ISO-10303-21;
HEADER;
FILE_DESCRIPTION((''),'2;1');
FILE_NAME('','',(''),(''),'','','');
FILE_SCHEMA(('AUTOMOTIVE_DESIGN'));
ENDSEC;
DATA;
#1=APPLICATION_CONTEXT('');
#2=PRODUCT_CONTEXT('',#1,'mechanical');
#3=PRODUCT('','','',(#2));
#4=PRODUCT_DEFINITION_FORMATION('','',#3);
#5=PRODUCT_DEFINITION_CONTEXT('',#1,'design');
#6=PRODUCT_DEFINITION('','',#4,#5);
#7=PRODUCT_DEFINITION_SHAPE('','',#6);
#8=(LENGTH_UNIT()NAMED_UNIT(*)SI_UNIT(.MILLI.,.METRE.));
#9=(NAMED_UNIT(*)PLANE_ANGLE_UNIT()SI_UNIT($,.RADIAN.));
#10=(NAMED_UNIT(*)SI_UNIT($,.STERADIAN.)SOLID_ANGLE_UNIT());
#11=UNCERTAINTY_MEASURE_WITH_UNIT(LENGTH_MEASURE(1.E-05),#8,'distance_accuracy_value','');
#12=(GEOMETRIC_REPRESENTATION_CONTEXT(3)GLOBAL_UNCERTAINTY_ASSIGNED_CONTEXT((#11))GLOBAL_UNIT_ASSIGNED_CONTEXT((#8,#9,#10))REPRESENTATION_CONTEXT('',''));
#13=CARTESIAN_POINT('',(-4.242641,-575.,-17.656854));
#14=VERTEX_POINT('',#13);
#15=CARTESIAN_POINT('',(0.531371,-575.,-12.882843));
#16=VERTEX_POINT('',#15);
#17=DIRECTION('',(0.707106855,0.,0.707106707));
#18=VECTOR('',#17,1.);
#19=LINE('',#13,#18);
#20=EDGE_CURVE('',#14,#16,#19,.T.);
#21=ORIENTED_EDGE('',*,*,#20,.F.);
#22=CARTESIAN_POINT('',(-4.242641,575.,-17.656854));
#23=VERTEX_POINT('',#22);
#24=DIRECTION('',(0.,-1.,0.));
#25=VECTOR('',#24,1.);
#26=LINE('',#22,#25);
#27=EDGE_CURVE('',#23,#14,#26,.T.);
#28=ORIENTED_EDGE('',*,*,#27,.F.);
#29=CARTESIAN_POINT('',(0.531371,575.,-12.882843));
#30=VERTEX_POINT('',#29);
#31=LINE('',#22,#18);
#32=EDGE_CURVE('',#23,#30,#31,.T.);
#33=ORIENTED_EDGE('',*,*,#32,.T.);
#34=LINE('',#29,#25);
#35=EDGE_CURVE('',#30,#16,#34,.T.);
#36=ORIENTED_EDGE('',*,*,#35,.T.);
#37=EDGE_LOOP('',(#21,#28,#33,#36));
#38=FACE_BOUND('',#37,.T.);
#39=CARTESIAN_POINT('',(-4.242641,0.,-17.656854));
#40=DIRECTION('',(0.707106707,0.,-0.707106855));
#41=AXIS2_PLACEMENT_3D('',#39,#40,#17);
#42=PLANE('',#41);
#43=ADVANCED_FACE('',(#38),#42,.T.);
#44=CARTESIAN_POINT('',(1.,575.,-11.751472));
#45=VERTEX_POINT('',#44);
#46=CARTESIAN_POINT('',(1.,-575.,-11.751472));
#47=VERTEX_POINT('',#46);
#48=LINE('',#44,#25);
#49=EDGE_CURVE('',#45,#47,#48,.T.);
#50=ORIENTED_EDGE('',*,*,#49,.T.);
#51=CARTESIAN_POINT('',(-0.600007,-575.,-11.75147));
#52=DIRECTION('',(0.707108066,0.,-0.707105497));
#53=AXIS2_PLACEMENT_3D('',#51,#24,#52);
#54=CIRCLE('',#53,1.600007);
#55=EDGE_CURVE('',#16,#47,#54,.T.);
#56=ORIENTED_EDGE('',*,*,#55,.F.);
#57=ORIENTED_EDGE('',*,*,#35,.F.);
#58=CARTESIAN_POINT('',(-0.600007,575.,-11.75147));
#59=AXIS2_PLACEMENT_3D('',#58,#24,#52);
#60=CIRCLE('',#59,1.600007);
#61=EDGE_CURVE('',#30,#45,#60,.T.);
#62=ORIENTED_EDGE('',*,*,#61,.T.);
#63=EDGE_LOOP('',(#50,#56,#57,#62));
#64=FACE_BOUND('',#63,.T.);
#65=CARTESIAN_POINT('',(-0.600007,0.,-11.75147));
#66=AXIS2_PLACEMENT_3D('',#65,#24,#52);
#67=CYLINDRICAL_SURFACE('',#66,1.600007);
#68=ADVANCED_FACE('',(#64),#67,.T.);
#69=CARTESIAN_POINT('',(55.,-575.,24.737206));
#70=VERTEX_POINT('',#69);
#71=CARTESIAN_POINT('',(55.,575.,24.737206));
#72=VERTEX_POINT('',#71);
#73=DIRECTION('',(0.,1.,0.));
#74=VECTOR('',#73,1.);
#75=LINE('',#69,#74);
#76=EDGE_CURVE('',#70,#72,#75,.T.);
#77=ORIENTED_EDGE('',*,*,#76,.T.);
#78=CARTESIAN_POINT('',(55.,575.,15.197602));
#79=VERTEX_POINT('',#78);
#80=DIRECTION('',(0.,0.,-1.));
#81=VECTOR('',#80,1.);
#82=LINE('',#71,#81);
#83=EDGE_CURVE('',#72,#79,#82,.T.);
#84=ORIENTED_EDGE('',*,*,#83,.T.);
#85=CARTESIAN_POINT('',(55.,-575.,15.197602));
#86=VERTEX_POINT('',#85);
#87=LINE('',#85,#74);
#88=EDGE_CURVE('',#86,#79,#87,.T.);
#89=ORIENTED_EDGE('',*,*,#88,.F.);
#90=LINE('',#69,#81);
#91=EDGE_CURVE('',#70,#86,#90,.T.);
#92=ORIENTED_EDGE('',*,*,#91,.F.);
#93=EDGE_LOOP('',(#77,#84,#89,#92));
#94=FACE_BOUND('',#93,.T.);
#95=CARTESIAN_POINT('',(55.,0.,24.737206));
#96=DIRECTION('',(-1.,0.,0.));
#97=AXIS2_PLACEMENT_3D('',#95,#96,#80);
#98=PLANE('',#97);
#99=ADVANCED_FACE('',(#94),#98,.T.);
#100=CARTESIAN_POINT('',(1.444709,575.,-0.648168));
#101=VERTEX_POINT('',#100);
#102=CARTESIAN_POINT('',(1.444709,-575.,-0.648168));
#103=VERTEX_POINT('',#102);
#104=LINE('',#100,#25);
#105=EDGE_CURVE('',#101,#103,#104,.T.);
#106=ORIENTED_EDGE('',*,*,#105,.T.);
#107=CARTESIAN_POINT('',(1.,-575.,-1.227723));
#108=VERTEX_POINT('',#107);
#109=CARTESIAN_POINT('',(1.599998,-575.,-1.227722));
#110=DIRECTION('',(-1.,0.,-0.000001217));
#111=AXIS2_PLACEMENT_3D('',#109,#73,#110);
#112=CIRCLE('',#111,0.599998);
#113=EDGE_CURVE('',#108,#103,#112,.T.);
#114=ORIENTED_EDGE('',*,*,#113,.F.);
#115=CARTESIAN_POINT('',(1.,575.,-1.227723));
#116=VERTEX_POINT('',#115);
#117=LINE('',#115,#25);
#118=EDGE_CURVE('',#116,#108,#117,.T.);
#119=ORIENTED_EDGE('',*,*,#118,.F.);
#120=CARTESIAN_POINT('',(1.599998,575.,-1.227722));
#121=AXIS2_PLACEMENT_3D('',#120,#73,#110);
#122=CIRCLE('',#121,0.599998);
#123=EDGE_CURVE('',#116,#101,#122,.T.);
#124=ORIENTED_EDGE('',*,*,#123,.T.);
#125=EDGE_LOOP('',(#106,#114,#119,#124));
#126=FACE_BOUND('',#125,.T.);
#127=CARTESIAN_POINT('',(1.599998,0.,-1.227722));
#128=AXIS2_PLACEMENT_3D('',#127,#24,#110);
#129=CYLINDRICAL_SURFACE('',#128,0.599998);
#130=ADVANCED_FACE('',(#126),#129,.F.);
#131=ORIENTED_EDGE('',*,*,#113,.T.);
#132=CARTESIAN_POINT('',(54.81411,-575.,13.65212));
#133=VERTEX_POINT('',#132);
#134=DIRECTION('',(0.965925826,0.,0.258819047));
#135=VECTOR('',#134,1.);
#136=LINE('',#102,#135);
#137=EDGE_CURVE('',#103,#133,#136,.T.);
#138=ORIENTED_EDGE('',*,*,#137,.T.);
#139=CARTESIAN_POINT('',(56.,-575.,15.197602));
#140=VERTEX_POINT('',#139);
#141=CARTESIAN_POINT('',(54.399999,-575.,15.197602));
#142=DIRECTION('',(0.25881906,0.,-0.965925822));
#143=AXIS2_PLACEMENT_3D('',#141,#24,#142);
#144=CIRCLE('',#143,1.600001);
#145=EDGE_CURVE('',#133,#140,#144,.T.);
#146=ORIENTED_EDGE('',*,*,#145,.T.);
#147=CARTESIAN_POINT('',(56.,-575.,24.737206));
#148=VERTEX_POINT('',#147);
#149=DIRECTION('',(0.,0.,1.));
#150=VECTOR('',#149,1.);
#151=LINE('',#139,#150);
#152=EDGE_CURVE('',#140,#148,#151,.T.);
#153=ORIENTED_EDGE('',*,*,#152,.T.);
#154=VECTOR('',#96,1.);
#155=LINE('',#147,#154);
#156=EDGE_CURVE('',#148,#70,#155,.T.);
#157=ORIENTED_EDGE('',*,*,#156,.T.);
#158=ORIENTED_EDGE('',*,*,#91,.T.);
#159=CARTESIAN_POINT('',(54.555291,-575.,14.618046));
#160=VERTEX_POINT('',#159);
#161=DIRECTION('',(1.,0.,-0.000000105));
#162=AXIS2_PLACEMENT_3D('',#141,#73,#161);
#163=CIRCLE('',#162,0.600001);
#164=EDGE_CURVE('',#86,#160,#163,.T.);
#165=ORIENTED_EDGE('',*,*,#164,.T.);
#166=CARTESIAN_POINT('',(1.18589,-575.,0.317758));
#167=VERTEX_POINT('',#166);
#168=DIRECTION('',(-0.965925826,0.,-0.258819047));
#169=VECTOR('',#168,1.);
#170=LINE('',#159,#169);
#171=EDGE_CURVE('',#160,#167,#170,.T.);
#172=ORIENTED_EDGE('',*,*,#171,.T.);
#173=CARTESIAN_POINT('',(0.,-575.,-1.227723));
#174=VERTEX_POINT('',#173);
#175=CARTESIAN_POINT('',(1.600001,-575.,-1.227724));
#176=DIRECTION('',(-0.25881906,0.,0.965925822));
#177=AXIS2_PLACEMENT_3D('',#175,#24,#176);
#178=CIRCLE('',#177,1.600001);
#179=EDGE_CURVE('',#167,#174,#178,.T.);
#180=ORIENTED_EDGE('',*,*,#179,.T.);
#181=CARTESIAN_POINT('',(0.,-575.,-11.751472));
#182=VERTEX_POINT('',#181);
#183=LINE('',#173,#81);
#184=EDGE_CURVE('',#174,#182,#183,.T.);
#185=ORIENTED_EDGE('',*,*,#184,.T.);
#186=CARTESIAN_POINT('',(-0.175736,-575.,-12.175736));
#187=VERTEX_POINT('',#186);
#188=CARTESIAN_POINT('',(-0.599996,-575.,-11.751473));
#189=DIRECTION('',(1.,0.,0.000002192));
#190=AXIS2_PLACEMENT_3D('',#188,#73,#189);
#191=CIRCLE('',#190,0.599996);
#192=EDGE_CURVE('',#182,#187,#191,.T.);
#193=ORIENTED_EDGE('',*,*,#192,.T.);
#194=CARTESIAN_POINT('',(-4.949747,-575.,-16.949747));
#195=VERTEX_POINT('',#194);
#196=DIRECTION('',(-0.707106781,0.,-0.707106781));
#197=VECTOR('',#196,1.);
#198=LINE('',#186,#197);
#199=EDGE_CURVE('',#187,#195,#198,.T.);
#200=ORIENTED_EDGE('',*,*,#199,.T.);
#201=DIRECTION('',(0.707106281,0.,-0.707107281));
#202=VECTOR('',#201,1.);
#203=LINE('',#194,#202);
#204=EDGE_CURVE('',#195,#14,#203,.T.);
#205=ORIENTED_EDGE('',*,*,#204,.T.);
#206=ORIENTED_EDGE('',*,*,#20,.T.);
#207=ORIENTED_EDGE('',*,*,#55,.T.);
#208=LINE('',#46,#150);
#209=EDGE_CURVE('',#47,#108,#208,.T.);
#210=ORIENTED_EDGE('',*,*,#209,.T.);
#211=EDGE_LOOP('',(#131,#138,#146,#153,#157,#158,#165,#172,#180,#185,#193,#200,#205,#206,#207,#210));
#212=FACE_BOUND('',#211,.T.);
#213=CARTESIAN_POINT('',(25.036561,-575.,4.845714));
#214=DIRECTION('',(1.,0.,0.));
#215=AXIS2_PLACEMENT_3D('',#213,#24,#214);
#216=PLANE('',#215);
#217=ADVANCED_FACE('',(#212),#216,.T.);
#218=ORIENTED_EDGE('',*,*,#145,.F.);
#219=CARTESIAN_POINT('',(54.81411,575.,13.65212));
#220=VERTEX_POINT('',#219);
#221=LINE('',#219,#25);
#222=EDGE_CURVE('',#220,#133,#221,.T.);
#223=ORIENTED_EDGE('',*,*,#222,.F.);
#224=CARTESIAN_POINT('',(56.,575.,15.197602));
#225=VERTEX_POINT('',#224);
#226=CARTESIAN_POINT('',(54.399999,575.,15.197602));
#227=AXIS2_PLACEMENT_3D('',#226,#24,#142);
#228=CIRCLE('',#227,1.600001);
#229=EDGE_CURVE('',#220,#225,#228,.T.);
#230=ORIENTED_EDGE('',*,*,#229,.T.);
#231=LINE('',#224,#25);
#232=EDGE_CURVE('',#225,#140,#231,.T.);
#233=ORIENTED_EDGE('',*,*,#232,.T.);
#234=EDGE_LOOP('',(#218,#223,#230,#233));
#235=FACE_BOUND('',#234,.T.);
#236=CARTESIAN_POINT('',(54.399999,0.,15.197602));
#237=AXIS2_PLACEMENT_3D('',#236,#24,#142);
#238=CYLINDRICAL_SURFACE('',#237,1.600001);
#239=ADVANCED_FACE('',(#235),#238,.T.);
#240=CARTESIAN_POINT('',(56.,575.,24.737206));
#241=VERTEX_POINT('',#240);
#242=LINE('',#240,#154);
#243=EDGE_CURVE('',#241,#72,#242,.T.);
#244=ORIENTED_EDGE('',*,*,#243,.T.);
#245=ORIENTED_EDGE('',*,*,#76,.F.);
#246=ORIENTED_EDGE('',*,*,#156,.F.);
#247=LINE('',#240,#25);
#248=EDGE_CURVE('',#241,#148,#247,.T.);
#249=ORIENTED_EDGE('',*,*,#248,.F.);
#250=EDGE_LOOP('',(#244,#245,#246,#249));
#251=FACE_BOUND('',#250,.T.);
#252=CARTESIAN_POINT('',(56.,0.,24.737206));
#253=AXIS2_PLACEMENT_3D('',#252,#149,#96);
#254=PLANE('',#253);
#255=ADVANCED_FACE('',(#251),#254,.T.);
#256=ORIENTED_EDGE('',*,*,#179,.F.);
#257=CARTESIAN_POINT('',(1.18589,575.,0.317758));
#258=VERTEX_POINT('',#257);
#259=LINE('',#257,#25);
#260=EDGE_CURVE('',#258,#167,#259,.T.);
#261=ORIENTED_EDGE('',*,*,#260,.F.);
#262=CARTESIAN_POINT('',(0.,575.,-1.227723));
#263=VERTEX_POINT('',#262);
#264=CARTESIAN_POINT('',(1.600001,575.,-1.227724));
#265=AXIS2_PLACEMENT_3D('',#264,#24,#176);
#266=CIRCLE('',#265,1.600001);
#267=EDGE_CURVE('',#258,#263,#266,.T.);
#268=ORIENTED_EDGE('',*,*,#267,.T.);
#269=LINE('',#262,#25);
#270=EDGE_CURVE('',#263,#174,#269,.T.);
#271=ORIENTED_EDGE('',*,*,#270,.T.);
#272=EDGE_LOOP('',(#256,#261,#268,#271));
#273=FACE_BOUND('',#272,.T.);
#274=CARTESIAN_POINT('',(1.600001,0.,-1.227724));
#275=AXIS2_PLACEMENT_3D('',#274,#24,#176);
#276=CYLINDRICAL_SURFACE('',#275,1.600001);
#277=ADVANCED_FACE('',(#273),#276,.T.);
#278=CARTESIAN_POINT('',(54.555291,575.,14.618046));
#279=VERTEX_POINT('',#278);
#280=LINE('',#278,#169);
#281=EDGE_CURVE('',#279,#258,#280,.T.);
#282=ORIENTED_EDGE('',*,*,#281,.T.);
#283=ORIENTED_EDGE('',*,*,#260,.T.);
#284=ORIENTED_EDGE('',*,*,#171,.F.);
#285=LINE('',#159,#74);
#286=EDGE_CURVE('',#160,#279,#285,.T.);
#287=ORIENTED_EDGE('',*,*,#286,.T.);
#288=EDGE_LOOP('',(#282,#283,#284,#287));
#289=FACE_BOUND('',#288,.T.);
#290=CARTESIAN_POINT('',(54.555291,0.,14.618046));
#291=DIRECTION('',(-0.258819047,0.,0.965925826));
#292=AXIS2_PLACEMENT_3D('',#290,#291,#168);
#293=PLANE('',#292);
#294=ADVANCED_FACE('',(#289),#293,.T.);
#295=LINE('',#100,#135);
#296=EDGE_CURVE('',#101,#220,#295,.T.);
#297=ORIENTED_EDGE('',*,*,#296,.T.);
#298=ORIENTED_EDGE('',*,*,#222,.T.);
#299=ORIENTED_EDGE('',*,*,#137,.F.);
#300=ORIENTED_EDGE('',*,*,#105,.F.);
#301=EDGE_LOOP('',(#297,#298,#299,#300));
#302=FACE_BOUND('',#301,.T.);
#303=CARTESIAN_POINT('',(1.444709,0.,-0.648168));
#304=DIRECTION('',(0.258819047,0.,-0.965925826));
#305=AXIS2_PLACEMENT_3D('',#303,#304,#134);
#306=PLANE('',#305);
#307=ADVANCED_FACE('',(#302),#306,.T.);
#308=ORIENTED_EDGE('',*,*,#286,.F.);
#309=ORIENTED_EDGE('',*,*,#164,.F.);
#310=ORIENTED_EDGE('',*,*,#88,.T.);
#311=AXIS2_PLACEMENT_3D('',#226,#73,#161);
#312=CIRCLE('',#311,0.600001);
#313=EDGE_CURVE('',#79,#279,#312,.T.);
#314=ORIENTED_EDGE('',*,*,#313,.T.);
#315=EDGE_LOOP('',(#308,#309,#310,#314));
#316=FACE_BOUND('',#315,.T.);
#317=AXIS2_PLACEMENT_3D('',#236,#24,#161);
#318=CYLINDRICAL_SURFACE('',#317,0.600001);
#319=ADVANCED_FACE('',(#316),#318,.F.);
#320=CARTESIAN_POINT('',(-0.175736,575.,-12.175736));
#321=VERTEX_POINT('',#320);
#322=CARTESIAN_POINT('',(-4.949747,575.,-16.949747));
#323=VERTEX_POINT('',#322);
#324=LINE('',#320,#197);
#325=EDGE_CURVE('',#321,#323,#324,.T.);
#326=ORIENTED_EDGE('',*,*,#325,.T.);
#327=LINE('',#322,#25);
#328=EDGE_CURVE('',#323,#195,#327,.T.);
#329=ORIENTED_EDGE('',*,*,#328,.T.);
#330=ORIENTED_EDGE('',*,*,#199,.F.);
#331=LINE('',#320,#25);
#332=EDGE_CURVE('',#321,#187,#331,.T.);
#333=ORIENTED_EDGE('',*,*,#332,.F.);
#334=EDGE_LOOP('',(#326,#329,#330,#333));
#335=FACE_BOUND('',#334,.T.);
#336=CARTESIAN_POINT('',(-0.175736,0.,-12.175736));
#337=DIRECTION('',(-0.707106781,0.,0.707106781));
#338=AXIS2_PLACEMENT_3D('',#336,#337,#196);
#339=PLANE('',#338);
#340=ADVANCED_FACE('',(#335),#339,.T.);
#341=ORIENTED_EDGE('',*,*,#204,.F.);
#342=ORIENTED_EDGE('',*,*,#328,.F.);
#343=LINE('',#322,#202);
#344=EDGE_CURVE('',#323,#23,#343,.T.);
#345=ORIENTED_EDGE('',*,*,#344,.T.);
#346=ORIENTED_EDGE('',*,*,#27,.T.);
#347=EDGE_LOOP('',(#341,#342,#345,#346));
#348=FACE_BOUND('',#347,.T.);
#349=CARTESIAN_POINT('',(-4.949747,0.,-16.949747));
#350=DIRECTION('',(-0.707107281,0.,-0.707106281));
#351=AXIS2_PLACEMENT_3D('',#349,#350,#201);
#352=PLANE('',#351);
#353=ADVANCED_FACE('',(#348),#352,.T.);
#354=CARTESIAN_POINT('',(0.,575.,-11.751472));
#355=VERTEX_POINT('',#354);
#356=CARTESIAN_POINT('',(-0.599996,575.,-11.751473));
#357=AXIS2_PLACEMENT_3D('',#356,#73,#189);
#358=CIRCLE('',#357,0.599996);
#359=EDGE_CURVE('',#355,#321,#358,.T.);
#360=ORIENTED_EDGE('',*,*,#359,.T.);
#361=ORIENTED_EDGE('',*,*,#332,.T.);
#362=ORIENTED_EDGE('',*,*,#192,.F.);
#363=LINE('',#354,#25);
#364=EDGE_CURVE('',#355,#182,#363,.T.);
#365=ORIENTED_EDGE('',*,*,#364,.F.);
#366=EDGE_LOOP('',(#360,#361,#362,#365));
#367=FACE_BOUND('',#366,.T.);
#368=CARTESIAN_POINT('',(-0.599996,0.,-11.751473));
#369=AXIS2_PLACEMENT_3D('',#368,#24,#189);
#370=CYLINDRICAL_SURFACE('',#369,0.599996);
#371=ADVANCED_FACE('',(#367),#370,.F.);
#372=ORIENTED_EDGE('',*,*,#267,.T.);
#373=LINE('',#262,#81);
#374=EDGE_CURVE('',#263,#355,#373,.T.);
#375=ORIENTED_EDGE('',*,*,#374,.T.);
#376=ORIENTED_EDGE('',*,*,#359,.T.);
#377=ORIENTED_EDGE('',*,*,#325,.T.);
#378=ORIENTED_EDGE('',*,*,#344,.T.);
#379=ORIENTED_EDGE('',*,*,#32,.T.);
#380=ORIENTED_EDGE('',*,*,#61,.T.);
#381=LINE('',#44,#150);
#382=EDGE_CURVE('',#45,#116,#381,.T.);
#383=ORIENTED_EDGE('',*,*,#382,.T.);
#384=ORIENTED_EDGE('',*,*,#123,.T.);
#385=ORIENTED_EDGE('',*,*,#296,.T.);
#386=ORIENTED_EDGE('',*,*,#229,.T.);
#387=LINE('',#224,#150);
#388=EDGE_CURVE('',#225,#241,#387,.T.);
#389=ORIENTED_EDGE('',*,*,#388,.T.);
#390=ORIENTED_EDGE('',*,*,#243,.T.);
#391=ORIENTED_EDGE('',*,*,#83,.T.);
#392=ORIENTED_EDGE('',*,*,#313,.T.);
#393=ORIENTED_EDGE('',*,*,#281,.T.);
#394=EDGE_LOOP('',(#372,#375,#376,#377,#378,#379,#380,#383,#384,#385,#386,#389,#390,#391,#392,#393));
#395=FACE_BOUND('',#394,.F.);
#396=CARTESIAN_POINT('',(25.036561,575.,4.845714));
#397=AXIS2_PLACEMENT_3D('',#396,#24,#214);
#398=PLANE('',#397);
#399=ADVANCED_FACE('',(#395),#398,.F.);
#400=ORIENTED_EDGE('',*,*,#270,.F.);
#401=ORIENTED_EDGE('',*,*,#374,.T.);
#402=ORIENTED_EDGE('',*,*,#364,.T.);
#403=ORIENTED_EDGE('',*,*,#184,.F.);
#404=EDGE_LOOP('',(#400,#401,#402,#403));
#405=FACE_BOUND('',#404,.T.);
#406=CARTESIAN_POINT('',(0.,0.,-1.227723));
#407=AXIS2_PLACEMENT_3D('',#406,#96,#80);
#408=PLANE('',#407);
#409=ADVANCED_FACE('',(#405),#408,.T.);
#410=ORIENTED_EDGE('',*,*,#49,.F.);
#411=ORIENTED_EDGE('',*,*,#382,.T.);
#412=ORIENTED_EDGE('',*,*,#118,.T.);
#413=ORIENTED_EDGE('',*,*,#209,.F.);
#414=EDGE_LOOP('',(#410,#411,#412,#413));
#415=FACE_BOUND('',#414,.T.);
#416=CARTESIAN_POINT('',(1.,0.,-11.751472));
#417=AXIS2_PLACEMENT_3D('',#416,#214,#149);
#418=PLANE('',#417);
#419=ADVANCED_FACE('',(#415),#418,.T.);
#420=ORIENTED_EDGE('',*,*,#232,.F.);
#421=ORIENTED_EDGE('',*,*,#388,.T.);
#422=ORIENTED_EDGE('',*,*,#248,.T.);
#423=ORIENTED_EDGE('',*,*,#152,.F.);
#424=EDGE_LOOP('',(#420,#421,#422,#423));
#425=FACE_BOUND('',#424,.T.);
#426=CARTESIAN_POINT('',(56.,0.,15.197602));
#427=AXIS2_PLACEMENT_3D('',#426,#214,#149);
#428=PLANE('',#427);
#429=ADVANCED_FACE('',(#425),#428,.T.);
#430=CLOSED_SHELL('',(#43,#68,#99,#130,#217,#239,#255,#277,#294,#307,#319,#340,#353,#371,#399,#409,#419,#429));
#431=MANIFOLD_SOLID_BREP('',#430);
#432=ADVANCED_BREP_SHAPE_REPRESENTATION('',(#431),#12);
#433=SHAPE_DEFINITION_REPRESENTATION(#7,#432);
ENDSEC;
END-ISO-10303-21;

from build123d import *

# Parameters (mm, degrees)
F1_DEPTH = 575


with BuildPart() as f1:
    # F0 (on Front) → F1 (new body, symmetric)
    with BuildSketch(Plane.XZ):
        with BuildLine():
            Line((54.555291, 14.618046), (1.18589, 0.317758))
            ThreePointArc((1.18589, 0.317758), (0.330635, -0.253705), (0, -1.227723))
            Line((0, -1.227723), (0, -11.751472))
            ThreePointArc((0, -11.751472), (-0.045672, -11.981082), (-0.175736, -12.175736))
            Line((-0.175736, -12.175736), (-4.949747, -16.949747))
            Line((-4.949747, -16.949747), (-4.242641, -17.656854))
            Line((-4.242641, -17.656854), (0.531371, -12.882843))
            ThreePointArc((0.531371, -12.882843), (0.878207, -12.363765), (1, -11.751472))
            Line((1, -11.751472), (1, -1.227723))
            ThreePointArc((1, -1.227723), (1.123988, -0.862466), (1.444709, -0.648168))
            Line((1.444709, -0.648168), (54.81411, 13.65212))
            ThreePointArc((54.81411, 13.65212), (55.669365, 14.223583), (56, 15.197602))
            Line((56, 15.197602), (56, 24.737206))
            Line((56, 24.737206), (55, 24.737206))
            Line((55, 24.737206), (55, 15.197602))
            ThreePointArc((55, 15.197602), (54.876012, 14.832345), (54.555291, 14.618046))
        make_face()
    extrude(amount=F1_DEPTH, both=True)


solid = f1.part
